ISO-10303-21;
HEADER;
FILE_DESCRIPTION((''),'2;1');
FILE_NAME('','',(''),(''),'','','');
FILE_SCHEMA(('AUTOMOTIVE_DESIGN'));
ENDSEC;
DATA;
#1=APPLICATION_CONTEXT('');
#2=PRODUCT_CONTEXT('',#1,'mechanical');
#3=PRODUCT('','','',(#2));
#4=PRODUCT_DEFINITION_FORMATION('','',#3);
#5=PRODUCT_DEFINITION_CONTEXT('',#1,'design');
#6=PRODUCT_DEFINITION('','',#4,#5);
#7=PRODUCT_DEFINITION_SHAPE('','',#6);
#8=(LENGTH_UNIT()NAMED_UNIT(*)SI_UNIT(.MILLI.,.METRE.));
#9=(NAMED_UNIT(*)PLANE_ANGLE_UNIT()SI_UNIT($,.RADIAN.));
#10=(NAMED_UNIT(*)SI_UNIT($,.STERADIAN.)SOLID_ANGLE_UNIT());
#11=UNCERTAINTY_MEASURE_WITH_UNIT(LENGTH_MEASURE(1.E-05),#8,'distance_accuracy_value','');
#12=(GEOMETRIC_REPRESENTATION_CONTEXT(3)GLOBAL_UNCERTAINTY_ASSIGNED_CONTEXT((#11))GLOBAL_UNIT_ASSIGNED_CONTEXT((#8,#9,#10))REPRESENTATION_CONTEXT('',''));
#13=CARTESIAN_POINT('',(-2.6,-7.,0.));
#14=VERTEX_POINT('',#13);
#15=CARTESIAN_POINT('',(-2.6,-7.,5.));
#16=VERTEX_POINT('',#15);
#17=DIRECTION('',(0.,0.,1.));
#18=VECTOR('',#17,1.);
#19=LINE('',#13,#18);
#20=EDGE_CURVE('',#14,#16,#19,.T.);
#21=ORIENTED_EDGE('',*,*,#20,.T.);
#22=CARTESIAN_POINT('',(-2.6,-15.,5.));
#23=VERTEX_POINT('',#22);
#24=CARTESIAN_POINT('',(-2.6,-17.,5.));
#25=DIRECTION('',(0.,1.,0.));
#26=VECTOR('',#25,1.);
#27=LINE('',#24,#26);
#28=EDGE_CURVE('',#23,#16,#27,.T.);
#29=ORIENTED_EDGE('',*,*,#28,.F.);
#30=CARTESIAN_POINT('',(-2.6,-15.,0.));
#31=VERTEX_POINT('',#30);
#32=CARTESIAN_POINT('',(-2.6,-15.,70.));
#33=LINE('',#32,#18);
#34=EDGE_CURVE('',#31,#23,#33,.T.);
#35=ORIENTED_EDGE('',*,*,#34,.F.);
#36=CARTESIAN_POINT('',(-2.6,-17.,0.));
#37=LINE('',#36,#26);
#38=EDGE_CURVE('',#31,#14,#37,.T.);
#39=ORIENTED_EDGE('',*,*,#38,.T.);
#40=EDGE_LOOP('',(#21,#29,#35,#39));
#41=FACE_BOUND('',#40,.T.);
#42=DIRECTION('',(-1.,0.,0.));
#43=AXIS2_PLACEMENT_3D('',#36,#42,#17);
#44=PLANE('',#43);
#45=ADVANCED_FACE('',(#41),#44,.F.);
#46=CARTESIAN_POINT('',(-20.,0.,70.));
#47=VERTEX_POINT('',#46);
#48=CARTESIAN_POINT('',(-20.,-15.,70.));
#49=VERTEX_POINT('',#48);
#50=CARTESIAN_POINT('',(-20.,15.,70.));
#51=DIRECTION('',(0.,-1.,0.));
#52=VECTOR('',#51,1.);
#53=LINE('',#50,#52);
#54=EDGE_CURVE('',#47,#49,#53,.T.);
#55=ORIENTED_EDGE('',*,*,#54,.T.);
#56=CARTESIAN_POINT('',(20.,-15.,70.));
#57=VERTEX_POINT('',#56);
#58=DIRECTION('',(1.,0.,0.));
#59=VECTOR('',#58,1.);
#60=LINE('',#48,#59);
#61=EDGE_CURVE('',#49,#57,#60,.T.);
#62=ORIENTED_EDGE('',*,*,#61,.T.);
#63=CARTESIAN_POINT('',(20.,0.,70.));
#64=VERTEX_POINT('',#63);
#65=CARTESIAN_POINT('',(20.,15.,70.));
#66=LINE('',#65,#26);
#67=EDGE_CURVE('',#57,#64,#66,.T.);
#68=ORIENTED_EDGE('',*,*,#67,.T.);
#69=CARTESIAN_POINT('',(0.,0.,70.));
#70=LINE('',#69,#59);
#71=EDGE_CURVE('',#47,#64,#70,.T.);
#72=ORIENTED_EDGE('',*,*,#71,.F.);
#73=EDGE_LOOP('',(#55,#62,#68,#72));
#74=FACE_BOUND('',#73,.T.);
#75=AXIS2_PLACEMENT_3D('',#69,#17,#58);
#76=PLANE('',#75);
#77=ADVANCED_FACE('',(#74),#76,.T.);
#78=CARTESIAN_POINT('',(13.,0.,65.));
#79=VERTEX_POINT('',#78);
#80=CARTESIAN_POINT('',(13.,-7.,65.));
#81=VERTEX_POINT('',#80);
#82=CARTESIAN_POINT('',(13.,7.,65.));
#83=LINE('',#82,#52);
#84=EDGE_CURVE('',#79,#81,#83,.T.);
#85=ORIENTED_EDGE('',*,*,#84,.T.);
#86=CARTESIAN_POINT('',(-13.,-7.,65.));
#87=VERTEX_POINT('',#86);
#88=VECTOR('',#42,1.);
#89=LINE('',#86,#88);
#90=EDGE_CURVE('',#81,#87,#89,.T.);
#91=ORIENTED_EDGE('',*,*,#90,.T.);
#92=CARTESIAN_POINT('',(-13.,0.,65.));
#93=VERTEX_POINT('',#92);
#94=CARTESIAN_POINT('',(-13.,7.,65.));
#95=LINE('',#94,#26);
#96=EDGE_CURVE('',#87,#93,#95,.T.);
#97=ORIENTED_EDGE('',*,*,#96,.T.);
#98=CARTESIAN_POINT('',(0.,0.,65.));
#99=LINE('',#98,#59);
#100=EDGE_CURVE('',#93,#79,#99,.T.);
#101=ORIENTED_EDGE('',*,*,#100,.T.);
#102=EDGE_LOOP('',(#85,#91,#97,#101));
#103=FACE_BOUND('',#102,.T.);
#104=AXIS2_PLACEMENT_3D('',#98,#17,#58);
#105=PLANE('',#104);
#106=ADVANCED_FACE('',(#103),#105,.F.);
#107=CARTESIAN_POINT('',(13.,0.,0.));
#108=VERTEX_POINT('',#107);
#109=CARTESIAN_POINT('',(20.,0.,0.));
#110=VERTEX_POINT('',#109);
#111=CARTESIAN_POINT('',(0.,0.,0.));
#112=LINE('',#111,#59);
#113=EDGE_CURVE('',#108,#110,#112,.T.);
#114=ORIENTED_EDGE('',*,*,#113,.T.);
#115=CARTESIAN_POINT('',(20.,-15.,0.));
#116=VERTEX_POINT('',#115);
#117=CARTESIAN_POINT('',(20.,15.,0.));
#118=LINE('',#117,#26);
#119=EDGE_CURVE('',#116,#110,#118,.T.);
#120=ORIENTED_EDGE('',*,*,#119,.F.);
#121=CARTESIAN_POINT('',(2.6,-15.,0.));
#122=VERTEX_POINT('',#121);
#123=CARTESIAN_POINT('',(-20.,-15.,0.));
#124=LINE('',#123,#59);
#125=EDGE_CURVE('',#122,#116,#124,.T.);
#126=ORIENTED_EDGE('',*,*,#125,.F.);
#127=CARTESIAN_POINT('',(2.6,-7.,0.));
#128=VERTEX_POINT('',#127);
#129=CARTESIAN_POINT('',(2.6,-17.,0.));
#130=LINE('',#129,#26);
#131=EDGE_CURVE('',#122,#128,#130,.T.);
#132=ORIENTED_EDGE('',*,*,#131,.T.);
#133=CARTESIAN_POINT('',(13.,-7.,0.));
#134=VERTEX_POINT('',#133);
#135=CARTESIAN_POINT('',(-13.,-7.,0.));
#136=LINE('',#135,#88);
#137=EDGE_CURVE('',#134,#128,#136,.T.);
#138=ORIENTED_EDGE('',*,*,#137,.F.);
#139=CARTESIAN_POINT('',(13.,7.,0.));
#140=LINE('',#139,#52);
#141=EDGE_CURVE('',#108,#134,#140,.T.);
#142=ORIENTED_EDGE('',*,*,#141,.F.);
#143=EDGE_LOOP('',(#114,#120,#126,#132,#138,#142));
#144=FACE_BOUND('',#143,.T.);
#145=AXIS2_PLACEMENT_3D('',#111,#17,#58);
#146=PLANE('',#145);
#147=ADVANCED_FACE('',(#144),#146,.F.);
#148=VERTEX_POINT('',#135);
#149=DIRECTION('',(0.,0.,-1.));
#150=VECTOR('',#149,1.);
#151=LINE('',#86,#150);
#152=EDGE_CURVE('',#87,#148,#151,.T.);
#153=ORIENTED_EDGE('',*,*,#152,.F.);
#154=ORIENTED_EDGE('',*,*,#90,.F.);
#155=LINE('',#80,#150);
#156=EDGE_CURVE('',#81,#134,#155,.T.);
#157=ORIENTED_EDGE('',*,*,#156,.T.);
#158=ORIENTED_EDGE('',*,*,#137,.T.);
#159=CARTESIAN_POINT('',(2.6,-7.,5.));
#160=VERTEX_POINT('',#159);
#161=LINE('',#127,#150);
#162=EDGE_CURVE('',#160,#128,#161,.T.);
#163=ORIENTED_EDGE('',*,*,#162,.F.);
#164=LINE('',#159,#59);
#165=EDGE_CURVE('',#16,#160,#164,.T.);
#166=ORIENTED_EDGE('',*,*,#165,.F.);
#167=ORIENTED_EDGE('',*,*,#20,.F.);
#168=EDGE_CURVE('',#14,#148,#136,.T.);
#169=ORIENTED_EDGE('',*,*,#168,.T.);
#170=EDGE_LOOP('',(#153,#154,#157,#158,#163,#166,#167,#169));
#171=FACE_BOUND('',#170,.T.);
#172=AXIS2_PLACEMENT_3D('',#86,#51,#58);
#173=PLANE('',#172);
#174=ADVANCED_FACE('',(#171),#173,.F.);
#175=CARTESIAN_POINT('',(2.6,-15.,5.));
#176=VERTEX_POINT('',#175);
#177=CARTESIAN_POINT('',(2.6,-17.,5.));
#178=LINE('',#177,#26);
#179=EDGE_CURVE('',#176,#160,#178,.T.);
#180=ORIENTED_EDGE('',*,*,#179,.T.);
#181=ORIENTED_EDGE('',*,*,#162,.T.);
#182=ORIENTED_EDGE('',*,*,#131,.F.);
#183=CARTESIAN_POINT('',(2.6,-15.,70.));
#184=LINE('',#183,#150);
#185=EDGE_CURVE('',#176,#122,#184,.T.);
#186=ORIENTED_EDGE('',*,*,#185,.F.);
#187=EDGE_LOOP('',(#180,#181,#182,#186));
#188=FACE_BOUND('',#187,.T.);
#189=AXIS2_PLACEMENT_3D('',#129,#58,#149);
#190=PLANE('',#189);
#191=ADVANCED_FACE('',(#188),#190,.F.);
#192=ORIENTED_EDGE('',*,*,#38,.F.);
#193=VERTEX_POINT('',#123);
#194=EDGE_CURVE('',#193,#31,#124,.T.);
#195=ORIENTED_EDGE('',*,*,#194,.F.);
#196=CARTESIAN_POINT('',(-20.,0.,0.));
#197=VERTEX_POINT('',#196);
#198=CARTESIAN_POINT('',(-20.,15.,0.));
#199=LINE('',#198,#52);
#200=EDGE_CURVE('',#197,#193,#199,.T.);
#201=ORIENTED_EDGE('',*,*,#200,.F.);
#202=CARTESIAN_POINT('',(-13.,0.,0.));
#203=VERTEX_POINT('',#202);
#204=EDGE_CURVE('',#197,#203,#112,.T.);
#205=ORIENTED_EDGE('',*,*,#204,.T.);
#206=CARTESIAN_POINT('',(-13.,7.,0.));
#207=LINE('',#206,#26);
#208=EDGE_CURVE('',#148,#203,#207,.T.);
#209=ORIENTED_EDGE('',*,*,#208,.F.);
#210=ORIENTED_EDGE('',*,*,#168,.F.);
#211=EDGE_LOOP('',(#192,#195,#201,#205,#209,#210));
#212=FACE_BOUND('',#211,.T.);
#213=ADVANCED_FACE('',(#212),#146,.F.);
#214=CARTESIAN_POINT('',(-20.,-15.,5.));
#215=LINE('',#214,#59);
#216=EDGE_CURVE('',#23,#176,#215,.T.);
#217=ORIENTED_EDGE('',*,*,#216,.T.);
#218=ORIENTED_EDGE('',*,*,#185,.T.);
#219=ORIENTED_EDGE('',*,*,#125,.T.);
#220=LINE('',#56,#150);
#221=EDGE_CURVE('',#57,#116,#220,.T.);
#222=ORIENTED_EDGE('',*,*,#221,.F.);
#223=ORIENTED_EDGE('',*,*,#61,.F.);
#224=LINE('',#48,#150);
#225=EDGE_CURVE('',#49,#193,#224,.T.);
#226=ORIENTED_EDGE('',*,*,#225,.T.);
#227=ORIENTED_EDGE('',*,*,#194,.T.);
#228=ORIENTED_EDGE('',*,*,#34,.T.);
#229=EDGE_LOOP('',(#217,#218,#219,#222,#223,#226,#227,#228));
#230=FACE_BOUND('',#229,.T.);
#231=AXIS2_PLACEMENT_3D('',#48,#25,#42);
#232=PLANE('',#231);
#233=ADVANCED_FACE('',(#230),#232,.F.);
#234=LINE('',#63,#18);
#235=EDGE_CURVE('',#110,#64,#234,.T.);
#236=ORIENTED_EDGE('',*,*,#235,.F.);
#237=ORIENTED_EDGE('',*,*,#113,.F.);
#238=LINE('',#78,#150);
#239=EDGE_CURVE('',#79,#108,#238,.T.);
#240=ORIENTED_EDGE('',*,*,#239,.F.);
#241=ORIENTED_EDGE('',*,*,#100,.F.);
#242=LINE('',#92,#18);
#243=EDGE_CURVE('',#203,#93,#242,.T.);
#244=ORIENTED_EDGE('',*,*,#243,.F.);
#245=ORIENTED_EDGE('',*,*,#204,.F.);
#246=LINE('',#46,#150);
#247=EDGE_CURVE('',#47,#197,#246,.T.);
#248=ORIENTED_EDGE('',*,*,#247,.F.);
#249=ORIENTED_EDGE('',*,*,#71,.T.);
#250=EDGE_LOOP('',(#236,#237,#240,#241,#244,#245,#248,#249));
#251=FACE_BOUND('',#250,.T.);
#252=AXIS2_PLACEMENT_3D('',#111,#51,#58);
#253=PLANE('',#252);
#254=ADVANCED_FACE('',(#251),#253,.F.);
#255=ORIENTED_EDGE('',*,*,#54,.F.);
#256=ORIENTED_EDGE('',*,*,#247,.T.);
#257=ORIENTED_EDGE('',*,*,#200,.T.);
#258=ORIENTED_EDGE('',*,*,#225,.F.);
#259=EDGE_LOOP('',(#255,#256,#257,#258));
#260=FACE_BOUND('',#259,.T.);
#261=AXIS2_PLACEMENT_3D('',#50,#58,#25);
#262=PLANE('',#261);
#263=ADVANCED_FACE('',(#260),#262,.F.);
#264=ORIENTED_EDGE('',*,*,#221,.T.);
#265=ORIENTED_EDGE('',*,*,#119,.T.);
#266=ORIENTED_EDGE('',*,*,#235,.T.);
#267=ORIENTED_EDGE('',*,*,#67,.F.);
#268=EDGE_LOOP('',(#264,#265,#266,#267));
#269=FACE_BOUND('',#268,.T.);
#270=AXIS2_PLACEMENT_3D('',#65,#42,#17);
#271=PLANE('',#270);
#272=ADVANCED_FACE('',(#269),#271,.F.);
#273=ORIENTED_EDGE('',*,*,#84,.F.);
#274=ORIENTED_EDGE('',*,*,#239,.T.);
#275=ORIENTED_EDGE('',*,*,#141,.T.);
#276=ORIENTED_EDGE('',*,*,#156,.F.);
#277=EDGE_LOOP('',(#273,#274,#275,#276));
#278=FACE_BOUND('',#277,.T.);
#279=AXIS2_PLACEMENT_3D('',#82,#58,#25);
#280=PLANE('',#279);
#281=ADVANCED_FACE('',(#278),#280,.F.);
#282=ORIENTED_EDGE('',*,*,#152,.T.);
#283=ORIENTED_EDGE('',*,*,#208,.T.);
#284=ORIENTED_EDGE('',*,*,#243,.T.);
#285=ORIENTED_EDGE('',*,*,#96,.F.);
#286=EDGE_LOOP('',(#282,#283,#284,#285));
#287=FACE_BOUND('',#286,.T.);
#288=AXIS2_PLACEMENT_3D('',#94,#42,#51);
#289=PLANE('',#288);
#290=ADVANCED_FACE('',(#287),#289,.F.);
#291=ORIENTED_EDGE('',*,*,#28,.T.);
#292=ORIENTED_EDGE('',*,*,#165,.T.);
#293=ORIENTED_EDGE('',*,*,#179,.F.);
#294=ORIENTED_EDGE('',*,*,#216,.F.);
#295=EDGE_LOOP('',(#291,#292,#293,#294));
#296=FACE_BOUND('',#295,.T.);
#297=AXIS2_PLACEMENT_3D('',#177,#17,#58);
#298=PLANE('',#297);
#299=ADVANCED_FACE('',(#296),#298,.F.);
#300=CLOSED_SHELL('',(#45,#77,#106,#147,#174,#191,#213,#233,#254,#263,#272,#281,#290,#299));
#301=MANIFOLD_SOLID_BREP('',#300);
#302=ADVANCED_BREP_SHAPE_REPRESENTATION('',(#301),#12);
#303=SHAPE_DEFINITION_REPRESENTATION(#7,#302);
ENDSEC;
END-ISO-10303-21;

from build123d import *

# Parameters (mm, degrees)
SKETCH_1_W          = 40
SKETCH_1_H          = 30
EXTRUDE_1_DEPTH     = 70
SKETCH_2_W          = 26
SKETCH_2_H          = 14
CUT_EXTRUDE_1_DEPTH = 65
SKETCH_3_W          = 5.2
SKETCH_3_H          = 5
CUT_EXTRUDE_2_DEPTH = 10
SKETCH_4_W          = 5.2
SKETCH_4_H          = 5
CUT_EXTRUDE_3_DEPTH = 10


with BuildPart() as part:
    # ｽｹｯﾁ1 → ﾎﾞｽ - 押し出し1 (new body)
    with BuildSketch(Plane.XY):
        Rectangle(SKETCH_1_W, SKETCH_1_H)
    extrude(amount=EXTRUDE_1_DEPTH)

    # ｽｹｯﾁ2 → ｶｯﾄ - 押し出し1 (cut)
    with BuildSketch(Plane(origin=(0, 0, 0), x_dir=(-1, 0, 0), z_dir=(0, 0, -1))):
        Rectangle(SKETCH_2_W, SKETCH_2_H)
    extrude(amount=-CUT_EXTRUDE_1_DEPTH, mode=Mode.SUBTRACT)

    # ｽｹｯﾁ3 → ｶｯﾄ - 押し出し2 (cut)
    with BuildSketch(Plane(origin=(0, 7, 0), x_dir=(-1, 0, 0), z_dir=(0, -1, 0))):
        with Locations((0, -2.5)):
            Rectangle(SKETCH_3_W, SKETCH_3_H)
    extrude(amount=-CUT_EXTRUDE_2_DEPTH, mode=Mode.SUBTRACT)

    # ｽｹｯﾁ4 → ｶｯﾄ - 押し出し3 (cut)
    with BuildSketch(Plane(origin=(0, -7, 0), x_dir=(1, 0, 0), z_dir=(0, 1, 0))):
        with Locations((0, -2.5)):
            Rectangle(SKETCH_4_W, SKETCH_4_H)
    extrude(amount=-CUT_EXTRUDE_3_DEPTH, mode=Mode.SUBTRACT)

    # Surface Cut 1
    split(bisect_by=Plane(origin=(0, 0, 0), x_dir=(-1, 0, 0), z_dir=(0, -1, 0)), keep=Keep.TOP)


solid = part.part
